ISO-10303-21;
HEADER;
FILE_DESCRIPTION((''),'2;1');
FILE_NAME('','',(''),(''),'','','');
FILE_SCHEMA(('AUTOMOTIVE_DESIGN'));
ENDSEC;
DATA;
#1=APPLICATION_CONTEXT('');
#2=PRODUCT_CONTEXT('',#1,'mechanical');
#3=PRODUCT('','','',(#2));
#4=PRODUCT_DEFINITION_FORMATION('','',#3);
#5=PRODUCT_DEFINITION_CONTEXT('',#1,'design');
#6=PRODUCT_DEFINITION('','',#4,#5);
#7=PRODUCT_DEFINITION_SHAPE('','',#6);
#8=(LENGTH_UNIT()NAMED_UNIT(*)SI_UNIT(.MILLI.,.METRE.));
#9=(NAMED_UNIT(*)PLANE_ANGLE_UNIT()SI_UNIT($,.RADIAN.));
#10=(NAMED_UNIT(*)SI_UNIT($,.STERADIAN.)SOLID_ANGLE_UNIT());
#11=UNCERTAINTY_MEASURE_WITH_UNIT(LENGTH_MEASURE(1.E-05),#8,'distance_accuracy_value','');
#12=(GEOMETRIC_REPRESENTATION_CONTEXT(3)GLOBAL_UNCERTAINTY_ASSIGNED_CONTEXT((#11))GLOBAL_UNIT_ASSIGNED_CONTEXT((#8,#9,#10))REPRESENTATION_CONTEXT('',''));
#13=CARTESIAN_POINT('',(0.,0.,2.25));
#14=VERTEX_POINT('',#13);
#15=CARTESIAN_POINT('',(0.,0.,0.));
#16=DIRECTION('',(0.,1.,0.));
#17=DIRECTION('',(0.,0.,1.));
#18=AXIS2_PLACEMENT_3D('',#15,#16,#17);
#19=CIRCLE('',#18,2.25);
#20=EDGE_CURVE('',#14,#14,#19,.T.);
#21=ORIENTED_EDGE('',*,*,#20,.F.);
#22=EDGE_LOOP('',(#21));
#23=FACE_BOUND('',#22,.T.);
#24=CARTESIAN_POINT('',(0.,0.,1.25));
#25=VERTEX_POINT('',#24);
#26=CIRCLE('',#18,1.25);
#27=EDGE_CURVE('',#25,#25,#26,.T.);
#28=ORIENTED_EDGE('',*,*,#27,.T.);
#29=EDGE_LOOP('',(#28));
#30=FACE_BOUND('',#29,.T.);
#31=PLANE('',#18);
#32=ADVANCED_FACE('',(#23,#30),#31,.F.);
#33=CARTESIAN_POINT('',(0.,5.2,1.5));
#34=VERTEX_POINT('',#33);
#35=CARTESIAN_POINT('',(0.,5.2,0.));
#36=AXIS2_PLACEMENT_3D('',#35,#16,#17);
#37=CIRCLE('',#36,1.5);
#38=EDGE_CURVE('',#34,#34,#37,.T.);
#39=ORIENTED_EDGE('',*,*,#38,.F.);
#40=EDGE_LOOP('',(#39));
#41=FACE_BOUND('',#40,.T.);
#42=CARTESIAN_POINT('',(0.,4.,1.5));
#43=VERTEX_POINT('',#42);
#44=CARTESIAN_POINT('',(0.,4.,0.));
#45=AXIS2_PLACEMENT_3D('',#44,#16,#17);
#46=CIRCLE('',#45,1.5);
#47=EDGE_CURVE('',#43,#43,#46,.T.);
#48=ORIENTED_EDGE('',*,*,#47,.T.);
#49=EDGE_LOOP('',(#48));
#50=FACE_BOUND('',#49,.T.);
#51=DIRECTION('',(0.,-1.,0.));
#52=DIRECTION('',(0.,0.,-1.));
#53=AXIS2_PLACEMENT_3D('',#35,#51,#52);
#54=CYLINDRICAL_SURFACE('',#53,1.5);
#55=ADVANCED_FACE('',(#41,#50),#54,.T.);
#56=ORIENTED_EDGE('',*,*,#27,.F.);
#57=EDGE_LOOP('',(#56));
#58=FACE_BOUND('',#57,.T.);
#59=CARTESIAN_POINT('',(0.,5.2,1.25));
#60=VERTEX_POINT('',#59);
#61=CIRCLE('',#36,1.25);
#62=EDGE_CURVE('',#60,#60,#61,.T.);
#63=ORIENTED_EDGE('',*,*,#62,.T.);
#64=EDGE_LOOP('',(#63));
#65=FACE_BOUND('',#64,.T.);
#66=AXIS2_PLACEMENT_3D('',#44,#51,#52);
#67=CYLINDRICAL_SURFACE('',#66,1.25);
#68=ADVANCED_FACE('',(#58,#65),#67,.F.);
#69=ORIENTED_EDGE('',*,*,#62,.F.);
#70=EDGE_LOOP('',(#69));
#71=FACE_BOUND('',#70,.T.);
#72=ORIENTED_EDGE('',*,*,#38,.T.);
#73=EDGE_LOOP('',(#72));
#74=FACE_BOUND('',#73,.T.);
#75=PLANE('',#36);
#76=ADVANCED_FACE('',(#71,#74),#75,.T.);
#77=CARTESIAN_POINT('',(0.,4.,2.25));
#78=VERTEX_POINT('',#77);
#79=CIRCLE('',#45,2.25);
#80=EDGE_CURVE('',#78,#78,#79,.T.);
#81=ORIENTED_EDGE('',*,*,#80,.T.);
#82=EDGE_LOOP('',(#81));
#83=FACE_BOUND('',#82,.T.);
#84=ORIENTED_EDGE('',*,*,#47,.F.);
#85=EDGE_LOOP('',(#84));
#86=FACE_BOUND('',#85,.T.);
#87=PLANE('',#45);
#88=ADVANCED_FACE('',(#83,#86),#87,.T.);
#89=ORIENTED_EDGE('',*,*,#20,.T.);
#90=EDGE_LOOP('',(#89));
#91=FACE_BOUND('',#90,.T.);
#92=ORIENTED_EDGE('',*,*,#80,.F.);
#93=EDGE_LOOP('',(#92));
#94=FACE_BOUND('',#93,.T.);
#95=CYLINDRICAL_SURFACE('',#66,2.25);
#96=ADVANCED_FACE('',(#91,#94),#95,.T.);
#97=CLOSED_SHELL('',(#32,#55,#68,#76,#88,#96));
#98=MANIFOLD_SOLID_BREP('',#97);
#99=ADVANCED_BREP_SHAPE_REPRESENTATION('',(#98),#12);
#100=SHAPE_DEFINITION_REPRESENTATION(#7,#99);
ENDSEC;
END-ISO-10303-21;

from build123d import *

# Parameters (mm, degrees)
SKETCH_1_R      = 2.25
SKETCH_1_R_2    = 1.25
EXTRUDE_1_DEPTH = 4
SKETCH_2_R      = 1.5
SKETCH_2_R_2    = 1.25
EXTRUDE_2_DEPTH = 1.2


with BuildPart() as part:
    # 草图1 → 凸台-拉伸1 (new body)
    with BuildSketch(Plane(origin=(0, 0, 0), x_dir=(1, 0, 0), z_dir=(0, 1, 0))):
        with Locations(Location((0, 0, 0), (0, 0, 270))):
            Circle(SKETCH_1_R)
        with Locations(Location((0, 0, 0), (0, 0, 270))):
            Circle(SKETCH_1_R_2, mode=Mode.SUBTRACT)
    extrude(amount=EXTRUDE_1_DEPTH)

    # 草图2 → 凸台-拉伸2 (add)
    with BuildSketch(Plane(origin=(0, 4, 0), x_dir=(1, 0, 0), z_dir=(0, 1, 0))):
        with Locations(Location((0, 0, 0), (0, 0, 270))):
            Circle(SKETCH_2_R)
        with Locations(Location((0, 0, 0), (0, 0, 270))):
            Circle(SKETCH_2_R_2, mode=Mode.SUBTRACT)
    extrude(amount=EXTRUDE_2_DEPTH)


solid = part.part
